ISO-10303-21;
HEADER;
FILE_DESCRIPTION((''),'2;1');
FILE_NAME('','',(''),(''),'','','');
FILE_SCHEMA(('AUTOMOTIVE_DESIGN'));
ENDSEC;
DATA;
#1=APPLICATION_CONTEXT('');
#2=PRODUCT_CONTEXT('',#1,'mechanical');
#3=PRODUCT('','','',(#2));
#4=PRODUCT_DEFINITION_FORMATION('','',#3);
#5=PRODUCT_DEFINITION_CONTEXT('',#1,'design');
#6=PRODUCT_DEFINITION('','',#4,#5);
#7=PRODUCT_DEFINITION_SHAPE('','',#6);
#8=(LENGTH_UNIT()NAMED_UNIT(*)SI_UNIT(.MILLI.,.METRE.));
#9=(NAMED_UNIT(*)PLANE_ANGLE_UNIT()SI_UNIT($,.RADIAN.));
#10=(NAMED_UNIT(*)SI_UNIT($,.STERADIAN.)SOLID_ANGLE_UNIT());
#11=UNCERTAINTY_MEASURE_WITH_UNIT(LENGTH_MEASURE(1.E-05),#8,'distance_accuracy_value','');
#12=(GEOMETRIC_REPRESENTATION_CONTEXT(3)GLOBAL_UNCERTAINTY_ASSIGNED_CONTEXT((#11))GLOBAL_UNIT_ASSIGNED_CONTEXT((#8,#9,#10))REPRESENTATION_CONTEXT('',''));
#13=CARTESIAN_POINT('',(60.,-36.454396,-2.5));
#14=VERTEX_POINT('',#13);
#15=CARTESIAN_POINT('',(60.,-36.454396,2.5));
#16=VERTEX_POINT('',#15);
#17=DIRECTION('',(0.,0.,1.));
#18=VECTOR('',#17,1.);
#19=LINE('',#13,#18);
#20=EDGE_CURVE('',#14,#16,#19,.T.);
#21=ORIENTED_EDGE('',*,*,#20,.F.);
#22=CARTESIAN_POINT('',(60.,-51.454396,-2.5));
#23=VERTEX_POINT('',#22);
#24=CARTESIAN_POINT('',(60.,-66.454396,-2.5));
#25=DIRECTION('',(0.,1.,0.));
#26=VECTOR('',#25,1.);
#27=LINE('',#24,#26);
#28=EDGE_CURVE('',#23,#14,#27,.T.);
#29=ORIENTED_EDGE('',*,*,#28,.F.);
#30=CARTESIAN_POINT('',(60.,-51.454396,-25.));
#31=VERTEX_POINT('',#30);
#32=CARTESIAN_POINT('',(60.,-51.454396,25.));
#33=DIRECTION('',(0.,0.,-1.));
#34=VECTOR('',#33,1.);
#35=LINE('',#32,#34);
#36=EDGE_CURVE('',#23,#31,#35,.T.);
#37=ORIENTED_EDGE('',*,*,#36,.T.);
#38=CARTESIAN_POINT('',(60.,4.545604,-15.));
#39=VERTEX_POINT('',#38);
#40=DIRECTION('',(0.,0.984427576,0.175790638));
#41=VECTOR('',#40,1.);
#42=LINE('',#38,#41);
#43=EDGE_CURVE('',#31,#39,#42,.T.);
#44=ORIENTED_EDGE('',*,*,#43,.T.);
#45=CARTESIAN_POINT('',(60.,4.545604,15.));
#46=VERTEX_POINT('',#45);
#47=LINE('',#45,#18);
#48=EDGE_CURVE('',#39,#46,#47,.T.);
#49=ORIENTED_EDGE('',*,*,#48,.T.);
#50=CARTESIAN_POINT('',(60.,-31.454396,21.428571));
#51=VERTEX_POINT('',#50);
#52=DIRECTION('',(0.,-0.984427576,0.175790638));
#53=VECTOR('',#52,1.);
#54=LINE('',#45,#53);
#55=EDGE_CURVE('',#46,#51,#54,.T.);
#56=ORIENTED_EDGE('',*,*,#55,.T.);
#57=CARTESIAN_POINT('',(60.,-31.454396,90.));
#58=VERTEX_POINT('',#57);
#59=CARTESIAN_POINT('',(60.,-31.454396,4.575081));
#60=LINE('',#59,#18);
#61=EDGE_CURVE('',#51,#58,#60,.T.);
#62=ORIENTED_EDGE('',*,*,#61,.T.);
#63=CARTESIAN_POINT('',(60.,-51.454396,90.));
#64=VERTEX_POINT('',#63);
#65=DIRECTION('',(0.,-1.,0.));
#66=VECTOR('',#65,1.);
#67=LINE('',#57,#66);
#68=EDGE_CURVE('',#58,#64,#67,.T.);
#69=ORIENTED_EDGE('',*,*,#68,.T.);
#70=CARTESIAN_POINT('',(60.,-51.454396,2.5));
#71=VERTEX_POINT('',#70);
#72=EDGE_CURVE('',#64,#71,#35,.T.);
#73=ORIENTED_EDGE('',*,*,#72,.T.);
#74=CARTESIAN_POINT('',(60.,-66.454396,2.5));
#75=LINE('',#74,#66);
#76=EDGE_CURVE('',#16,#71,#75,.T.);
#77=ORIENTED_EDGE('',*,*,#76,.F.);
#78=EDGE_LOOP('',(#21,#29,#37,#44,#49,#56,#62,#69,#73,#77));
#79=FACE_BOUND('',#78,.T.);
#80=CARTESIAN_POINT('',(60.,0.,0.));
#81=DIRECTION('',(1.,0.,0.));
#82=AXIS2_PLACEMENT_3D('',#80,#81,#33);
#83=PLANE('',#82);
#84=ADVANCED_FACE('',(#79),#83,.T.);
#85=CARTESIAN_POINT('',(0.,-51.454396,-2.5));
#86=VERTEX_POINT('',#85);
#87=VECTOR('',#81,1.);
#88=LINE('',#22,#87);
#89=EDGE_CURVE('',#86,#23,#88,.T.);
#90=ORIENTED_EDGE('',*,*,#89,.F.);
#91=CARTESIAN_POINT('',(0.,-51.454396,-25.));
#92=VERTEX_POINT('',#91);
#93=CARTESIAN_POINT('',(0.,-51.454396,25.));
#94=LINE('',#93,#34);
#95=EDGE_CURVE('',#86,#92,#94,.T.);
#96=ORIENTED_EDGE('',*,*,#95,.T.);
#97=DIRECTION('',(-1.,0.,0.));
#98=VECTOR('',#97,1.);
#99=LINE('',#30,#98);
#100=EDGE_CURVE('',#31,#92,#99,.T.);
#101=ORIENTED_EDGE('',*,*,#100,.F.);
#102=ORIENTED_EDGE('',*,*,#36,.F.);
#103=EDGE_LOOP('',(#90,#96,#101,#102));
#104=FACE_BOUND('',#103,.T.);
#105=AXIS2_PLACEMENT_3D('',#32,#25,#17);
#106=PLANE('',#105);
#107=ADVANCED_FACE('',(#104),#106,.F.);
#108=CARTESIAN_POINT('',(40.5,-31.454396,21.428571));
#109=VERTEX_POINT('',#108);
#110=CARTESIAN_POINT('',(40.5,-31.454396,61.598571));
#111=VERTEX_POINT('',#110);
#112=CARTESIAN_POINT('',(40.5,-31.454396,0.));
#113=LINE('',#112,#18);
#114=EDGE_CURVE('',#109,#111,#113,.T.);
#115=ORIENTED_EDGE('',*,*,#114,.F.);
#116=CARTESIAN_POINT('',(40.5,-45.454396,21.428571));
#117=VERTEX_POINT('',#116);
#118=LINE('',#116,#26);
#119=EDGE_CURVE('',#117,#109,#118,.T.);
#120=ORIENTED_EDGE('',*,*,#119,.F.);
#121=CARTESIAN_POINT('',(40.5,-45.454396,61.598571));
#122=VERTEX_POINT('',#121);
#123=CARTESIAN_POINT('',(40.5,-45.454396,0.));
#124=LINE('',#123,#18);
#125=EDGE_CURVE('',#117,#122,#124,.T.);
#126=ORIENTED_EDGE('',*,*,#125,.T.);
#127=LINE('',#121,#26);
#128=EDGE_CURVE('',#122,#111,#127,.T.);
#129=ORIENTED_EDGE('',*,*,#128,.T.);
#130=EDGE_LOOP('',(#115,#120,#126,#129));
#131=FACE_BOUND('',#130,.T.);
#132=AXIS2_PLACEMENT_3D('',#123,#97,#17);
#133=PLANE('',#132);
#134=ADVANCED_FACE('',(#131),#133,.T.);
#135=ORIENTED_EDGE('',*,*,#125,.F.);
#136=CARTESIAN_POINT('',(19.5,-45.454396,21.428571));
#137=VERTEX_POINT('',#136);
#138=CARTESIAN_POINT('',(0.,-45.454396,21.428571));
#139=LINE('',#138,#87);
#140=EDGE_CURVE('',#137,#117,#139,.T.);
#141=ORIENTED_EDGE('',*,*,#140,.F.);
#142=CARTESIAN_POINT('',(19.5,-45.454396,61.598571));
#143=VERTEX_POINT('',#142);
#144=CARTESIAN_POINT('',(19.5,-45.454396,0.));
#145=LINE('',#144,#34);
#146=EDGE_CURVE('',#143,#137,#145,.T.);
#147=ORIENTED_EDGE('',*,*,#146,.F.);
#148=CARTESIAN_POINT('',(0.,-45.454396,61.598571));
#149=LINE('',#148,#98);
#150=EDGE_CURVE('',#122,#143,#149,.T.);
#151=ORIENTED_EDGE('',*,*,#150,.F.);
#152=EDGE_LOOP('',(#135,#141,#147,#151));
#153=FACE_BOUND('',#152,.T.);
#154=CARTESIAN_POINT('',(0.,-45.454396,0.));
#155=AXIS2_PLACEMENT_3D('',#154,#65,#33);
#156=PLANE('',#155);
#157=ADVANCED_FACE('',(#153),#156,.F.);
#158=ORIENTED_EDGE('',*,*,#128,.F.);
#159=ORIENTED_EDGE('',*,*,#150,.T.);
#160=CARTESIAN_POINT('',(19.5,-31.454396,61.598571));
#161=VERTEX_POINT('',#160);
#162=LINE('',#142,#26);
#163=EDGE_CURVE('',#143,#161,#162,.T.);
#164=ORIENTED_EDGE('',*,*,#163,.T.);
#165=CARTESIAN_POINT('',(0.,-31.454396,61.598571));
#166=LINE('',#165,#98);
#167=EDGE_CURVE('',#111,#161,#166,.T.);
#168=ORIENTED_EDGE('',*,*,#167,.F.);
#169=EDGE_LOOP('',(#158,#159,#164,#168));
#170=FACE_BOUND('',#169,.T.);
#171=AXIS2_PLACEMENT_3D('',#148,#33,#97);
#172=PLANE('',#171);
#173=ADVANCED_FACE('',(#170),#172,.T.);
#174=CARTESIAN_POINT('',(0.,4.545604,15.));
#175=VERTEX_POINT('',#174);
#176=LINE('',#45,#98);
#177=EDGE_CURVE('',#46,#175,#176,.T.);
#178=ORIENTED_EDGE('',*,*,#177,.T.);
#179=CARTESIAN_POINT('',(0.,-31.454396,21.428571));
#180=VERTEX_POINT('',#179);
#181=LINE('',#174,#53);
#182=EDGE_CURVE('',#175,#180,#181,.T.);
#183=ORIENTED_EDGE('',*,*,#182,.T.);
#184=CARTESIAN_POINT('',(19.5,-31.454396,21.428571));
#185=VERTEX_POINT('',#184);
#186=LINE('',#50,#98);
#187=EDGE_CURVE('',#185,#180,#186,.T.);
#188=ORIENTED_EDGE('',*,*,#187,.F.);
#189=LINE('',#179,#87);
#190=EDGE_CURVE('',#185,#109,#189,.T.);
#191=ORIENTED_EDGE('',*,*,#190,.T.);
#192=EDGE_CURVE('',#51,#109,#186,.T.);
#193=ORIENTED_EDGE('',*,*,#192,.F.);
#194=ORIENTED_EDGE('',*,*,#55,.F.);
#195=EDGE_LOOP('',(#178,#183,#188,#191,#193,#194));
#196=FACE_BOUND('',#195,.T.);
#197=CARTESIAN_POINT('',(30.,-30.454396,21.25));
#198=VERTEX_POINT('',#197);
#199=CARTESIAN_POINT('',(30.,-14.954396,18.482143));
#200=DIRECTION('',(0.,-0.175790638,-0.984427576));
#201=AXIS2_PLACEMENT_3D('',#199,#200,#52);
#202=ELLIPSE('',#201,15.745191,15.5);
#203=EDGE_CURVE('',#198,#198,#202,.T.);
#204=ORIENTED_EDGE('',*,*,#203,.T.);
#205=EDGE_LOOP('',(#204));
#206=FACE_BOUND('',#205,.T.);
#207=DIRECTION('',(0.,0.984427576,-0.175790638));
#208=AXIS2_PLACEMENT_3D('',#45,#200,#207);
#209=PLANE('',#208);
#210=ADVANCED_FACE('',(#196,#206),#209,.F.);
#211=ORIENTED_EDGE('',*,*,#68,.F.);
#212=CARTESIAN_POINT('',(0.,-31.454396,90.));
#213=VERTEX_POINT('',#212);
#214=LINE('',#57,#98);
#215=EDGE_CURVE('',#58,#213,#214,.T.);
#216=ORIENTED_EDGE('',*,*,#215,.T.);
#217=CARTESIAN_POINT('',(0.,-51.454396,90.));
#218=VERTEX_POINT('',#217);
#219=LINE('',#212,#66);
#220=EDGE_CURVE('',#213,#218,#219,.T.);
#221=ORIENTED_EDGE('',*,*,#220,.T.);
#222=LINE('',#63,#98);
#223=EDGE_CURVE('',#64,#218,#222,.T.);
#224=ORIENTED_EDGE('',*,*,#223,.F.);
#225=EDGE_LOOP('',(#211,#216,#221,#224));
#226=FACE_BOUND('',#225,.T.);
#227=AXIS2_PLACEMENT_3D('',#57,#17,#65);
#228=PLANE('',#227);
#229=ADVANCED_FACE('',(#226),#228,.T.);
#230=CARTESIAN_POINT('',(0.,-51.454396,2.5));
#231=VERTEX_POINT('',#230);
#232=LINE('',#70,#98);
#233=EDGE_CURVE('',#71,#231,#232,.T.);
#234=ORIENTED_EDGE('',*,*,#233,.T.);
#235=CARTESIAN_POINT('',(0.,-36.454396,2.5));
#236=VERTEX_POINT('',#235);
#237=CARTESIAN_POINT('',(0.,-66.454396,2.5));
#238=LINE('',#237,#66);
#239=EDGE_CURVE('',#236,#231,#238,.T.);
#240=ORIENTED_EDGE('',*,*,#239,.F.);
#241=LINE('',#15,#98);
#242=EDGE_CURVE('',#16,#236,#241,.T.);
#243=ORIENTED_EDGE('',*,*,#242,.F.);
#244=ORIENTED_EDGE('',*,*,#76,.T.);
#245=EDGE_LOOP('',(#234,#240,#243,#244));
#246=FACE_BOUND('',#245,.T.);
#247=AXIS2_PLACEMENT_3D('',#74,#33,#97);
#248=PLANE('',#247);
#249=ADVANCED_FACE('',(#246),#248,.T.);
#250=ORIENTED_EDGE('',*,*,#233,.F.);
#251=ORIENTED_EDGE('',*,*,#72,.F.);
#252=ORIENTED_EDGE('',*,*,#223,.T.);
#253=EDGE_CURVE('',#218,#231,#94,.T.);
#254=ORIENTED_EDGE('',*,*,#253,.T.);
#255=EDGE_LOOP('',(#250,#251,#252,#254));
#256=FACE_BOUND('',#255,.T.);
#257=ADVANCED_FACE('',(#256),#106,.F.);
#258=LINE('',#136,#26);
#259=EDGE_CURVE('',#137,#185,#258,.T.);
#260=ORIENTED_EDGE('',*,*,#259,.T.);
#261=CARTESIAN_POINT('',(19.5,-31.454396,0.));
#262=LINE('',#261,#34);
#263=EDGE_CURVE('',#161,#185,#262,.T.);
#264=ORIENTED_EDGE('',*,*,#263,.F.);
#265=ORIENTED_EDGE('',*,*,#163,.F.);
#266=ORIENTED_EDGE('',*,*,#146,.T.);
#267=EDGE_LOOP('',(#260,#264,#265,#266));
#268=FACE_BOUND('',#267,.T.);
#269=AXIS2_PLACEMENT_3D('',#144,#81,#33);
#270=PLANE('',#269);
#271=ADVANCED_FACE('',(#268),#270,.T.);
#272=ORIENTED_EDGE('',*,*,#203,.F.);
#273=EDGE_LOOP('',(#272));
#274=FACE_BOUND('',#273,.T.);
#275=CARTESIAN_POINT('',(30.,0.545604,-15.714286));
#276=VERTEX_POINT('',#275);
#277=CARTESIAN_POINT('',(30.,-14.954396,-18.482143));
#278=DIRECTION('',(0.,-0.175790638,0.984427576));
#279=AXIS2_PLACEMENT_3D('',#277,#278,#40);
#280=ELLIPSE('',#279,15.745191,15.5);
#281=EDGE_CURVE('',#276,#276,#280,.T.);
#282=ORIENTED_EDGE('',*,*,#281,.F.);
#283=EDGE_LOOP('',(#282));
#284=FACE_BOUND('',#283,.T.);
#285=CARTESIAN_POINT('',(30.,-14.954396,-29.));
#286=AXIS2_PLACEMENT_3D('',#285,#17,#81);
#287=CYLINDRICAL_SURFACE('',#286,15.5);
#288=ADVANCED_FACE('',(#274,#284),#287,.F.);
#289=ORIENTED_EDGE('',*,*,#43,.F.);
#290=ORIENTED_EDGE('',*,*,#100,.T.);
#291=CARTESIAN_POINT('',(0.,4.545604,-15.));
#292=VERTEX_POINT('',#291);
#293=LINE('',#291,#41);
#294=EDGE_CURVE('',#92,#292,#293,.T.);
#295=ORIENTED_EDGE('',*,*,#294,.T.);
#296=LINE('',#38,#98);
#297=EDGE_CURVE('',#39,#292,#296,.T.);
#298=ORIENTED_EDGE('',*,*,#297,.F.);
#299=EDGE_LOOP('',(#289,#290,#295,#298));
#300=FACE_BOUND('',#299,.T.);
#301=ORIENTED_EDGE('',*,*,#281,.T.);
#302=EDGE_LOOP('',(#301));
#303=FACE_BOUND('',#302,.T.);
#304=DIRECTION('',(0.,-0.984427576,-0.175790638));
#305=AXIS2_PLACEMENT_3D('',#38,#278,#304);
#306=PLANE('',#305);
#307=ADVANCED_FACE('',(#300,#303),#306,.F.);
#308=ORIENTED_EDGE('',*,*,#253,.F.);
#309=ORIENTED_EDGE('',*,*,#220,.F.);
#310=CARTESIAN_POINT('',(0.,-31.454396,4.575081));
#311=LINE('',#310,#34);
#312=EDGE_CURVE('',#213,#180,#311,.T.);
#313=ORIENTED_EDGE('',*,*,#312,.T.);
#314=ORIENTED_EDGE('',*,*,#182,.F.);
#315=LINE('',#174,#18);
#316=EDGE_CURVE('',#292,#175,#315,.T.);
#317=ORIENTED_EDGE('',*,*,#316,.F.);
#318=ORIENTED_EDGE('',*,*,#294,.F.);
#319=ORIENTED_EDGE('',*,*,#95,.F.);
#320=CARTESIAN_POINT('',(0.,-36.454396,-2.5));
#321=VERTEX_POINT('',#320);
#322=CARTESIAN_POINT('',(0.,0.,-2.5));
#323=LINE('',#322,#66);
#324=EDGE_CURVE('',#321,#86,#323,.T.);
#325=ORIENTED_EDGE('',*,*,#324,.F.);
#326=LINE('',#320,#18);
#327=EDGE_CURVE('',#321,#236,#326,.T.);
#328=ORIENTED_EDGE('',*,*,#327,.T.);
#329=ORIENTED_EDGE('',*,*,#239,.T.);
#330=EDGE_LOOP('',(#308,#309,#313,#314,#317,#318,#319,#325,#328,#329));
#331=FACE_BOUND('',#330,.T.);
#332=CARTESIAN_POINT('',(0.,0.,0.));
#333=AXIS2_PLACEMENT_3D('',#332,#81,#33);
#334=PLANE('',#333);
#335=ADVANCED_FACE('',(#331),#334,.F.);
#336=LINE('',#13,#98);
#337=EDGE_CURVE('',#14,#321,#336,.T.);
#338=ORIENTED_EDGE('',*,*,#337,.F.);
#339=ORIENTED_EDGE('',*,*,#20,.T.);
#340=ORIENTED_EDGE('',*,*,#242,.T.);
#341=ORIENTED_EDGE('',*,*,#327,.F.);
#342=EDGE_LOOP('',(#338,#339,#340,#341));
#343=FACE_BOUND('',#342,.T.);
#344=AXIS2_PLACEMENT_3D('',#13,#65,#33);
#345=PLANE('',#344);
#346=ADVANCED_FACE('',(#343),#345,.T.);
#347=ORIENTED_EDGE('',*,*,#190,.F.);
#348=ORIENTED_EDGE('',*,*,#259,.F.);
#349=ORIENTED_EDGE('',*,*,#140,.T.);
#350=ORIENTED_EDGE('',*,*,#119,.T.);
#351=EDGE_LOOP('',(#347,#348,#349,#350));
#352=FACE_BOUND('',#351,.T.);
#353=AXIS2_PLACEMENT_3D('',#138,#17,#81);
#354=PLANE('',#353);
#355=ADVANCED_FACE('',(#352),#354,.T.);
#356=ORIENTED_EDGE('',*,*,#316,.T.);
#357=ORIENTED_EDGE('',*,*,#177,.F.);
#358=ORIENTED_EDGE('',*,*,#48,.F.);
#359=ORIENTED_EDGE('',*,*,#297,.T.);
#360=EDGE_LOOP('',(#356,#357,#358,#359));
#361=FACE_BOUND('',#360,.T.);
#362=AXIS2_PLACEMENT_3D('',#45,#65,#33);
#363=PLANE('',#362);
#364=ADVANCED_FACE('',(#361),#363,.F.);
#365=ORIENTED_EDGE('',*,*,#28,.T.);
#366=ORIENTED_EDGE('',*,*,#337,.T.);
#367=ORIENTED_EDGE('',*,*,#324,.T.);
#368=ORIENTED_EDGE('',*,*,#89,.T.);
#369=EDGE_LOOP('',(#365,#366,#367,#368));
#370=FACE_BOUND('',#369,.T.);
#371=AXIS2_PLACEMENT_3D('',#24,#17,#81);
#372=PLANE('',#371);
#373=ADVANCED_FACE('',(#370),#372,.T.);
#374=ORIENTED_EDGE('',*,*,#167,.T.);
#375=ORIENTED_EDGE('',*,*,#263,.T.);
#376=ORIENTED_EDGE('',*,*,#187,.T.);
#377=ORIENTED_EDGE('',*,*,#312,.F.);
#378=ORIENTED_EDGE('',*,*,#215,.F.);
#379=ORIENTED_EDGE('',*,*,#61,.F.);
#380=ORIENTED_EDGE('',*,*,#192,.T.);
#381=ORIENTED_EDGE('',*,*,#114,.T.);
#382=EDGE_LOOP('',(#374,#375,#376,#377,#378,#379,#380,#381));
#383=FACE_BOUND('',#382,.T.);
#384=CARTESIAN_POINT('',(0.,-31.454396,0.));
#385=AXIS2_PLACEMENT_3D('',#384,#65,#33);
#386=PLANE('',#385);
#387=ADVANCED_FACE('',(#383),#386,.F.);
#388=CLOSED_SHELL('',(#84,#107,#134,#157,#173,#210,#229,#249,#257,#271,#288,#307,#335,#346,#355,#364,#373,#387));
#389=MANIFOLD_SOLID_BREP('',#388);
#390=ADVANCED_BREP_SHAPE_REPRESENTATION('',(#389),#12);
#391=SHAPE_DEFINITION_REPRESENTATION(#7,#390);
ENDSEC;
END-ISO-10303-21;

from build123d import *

# Parameters (mm, degrees)
EXTRUDE_1_DEPTH          = 60
CUT_EXTRUDE_1_DEPTH      = 40
CUT_EXTRUDE_1_DEPTH_BACK = 29
SKETCH_4_R               = 15.5
SKETCH_5_W               = 5
SKETCH_5_H               = 30
CUT_EXTRUDE_2_DEPTH      = 83.900874001
SKETCH_7_W               = 60
SKETCH_7_H               = 85.424918669
EXTRUDE_2_DEPTH          = 20
CUT_EXTRUDE_START        = -31.454396
SKETCH_9_W               = 21
SKETCH_9_H               = 40.17
CUT_EXTRUDE_3_DEPTH      = 14


with BuildPart() as part:
    # 스케치3 → 보스-돌출1 (new body)
    with BuildSketch(Plane(origin=(0, 0, 0), x_dir=(0, 0, -1), z_dir=(1, 0, 0))):
        Polygon((-25, -51.454396413), (25, -51.454396413), (15, 4.545603587), (-15, 4.545603587), align=None)
    extrude(amount=EXTRUDE_1_DEPTH)

    # 스케치4 → 컷-돌출1 (cut, two sides: drawn at the far end of the back side and taken through both)
    with BuildSketch(Plane.XY.offset(-CUT_EXTRUDE_1_DEPTH_BACK)):
        with Locations(Location((30, -14.954396413, 0), (0, 0, 90))):
            Circle(SKETCH_4_R)
    extrude(amount=CUT_EXTRUDE_1_DEPTH + CUT_EXTRUDE_1_DEPTH_BACK, mode=Mode.SUBTRACT)

    # 스케치5 → 컷-돌출2 (cut, through all)
    with BuildSketch(Plane(origin=(0, 0, 0), x_dir=(0, 0, -1), z_dir=(1, 0, 0))):
        with Locations((0, -51.454396413)):
            Rectangle(SKETCH_5_W, SKETCH_5_H)
    extrude(amount=CUT_EXTRUDE_2_DEPTH, mode=Mode.SUBTRACT)

    # 스케치7 → 보스-돌출2 (add)
    with BuildSketch(Plane(origin=(0, -51.454396413, 0), x_dir=(-1, 0, 0), z_dir=(0, -1, 0))):
        with Locations((-30, -47.287540666)):
            Rectangle(SKETCH_7_W, SKETCH_7_H)
    extrude(amount=-EXTRUDE_2_DEPTH)

    # 스케치9 → 컷-돌출3 (cut)
    with BuildSketch(Plane(origin=(0, 0, 0), x_dir=(1, 0, 0), z_dir=(0, 1, 0)).offset(CUT_EXTRUDE_START)):
        with Locations((30, -41.513571429)):
            Rectangle(SKETCH_9_W, SKETCH_9_H)
    extrude(amount=-CUT_EXTRUDE_3_DEPTH, mode=Mode.SUBTRACT)


solid = part.part
